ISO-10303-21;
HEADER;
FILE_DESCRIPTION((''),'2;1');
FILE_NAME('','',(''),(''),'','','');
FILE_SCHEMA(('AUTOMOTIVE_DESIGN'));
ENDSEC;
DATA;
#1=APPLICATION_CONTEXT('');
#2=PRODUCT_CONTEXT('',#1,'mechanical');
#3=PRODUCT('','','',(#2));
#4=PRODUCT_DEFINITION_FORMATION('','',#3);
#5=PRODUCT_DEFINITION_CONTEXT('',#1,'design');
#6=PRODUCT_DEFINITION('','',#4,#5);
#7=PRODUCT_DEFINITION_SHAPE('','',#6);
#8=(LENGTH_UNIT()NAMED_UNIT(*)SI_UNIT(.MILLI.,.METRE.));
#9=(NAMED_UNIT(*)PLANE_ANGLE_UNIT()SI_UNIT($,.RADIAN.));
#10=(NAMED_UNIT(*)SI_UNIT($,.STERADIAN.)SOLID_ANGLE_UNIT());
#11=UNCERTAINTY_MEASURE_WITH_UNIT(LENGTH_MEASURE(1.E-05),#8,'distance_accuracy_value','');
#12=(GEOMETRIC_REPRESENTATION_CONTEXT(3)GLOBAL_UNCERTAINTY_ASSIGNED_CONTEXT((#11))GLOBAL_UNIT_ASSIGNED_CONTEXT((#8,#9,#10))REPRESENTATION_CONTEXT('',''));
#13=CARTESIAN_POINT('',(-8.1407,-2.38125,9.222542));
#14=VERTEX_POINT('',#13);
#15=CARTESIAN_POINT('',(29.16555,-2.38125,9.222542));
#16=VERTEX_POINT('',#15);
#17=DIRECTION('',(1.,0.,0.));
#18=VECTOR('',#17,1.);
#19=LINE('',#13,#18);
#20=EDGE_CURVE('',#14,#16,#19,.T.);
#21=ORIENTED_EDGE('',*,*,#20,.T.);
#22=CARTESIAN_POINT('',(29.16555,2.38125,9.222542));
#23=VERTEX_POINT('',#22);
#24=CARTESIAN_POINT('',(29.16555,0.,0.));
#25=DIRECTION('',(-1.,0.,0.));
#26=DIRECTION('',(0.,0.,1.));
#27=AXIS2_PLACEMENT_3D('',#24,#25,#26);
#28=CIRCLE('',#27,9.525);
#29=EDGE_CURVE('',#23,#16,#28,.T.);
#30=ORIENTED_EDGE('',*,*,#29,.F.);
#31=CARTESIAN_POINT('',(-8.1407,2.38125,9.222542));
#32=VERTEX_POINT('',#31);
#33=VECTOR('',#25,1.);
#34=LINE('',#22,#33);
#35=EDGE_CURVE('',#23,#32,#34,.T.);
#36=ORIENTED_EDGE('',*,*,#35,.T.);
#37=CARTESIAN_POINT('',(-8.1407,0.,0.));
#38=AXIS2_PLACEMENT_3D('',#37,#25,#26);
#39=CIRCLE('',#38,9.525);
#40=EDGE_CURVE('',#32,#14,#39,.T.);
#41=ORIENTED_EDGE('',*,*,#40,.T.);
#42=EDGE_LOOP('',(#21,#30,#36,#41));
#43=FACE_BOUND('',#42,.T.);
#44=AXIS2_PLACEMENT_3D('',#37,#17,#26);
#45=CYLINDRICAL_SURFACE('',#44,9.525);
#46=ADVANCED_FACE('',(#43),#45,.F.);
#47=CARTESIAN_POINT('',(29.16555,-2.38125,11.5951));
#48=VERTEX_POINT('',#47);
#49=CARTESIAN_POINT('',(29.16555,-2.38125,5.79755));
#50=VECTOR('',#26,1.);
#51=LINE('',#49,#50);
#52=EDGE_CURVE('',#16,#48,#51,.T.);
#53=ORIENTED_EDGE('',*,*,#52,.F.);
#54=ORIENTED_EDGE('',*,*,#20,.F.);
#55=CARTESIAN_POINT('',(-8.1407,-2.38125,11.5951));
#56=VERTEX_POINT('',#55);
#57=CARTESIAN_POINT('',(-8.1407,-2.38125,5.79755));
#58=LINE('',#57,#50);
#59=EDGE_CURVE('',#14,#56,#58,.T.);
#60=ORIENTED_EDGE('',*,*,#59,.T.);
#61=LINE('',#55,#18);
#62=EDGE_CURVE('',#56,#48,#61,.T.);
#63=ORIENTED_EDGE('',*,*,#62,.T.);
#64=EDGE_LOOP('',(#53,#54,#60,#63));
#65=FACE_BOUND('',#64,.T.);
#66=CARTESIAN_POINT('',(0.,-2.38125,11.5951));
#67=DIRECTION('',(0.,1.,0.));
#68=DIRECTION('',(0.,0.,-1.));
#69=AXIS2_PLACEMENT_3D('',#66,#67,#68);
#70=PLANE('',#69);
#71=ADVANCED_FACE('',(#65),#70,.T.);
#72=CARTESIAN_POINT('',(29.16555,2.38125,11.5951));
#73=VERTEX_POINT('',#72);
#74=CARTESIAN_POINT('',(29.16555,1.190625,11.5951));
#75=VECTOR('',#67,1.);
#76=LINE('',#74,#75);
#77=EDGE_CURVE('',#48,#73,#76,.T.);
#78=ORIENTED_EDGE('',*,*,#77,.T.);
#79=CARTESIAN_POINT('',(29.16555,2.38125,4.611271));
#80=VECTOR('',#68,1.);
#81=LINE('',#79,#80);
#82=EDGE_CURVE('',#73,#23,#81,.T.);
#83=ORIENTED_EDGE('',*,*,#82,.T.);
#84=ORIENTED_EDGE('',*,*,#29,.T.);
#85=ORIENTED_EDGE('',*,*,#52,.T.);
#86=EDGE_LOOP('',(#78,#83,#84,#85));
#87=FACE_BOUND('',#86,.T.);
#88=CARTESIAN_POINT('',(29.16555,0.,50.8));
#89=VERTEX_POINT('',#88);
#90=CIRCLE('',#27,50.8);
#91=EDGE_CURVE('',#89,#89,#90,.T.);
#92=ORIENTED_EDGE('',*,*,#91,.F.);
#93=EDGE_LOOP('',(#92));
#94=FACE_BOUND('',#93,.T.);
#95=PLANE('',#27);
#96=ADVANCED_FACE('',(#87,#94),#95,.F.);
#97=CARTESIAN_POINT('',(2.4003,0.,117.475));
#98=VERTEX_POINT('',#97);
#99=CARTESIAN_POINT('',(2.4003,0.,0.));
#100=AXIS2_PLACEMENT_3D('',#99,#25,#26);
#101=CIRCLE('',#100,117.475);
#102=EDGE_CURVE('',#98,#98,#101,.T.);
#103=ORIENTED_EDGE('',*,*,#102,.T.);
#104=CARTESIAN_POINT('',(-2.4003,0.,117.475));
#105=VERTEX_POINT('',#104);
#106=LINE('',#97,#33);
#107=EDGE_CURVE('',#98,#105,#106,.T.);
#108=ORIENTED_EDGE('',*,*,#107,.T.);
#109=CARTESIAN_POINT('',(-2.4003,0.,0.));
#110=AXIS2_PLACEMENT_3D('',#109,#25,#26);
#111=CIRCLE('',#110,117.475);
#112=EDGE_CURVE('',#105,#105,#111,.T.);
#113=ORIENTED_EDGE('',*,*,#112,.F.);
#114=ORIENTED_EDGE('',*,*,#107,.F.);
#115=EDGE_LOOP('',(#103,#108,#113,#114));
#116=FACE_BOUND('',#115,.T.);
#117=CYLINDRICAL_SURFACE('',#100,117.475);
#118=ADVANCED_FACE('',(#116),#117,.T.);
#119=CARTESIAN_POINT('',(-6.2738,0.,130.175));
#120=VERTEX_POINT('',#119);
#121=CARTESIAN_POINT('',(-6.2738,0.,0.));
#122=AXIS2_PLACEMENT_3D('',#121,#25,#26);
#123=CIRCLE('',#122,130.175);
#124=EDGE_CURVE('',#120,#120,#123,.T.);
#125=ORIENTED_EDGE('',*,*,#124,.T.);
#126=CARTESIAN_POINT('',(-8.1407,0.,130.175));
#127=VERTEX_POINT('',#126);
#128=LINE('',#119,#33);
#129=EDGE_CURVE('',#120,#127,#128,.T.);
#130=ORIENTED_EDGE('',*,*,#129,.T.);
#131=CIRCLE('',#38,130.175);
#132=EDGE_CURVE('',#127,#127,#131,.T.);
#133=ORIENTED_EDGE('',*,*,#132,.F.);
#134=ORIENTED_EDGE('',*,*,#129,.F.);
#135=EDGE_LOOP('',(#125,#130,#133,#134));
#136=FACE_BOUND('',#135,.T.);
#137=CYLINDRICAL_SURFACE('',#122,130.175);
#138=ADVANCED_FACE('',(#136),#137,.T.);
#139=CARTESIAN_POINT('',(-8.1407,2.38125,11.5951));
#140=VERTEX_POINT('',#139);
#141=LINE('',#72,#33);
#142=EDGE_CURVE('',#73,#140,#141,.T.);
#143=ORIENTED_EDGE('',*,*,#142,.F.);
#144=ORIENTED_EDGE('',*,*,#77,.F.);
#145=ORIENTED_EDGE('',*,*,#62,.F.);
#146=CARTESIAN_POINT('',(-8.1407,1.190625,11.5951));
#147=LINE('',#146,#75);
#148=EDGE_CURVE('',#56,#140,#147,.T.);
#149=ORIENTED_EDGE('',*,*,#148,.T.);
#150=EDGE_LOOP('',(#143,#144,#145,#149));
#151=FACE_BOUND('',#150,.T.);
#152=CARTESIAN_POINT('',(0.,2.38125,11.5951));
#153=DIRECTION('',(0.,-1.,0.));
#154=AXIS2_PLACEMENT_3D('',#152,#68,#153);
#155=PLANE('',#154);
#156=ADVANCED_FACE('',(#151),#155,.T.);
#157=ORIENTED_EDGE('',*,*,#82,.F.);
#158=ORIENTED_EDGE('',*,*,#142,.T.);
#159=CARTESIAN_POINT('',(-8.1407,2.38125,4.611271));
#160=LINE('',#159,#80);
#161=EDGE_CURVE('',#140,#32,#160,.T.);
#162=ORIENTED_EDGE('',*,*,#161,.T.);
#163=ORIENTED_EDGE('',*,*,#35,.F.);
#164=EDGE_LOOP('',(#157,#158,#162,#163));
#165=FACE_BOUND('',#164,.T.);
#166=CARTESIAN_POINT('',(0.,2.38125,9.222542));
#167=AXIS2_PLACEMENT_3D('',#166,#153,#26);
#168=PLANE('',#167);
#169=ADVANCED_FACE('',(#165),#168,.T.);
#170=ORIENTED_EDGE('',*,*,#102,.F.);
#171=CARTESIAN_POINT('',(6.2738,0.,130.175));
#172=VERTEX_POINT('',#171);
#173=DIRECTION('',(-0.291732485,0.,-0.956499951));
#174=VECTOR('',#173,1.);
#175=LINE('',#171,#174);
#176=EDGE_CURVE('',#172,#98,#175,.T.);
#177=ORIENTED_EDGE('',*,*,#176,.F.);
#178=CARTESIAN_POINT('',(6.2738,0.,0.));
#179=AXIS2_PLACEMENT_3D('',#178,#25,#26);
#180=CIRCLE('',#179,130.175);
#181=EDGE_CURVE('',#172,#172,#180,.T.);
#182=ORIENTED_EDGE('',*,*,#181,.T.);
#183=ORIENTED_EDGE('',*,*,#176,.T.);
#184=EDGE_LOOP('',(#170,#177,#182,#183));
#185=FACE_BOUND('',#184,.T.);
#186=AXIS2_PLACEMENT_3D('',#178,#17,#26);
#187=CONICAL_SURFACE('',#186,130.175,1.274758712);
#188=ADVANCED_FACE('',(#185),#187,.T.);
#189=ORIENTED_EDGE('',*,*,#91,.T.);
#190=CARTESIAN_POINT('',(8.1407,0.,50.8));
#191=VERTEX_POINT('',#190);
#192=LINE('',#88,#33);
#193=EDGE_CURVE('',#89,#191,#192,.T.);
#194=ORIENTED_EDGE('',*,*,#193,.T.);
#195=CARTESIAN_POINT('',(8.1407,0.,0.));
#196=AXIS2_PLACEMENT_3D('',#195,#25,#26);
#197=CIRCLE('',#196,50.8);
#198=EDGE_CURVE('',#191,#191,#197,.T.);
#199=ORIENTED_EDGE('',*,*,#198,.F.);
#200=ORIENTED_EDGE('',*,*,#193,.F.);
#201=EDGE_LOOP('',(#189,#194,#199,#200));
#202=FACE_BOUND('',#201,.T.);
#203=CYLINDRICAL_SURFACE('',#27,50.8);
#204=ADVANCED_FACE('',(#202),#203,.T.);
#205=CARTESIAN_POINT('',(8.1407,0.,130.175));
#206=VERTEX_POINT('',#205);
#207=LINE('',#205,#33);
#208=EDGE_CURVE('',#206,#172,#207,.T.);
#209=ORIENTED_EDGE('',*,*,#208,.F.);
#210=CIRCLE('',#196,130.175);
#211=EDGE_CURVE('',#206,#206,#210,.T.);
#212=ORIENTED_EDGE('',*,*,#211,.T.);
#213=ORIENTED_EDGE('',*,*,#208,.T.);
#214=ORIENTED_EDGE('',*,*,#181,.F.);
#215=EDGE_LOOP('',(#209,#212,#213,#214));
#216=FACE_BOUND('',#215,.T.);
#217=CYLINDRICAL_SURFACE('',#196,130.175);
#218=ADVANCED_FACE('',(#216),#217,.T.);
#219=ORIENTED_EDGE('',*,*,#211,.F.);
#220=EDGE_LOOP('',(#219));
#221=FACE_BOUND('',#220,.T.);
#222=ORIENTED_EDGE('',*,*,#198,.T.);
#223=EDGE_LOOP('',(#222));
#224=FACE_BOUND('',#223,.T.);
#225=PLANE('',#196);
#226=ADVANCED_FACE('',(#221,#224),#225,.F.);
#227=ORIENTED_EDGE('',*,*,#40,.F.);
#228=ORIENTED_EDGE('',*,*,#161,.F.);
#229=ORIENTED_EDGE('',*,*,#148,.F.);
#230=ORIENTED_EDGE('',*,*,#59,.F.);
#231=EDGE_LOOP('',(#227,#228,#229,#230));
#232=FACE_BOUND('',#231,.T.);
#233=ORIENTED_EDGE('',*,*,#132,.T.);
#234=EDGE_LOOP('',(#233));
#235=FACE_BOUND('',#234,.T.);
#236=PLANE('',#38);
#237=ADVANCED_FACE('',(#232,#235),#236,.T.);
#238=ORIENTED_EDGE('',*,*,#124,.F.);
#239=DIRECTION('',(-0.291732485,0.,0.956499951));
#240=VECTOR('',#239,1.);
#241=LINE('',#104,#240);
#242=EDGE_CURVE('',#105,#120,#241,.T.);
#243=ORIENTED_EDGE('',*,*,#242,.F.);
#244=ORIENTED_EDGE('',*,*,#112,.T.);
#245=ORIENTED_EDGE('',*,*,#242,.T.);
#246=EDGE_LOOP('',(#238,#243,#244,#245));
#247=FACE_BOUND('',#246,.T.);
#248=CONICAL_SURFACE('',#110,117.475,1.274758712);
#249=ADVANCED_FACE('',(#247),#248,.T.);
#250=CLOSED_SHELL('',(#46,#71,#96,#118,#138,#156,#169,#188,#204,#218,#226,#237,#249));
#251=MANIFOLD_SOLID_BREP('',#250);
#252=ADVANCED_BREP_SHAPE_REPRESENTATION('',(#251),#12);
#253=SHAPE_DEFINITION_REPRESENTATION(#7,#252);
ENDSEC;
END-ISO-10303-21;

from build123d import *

# Parameters (mm, degrees)
F3_DEPTH      = 8.1417
F3_DEPTH_BACK = 29.16655


with BuildPart() as f1:
    # F0 (on Front) → F1 (revolve)
    with BuildSketch(Plane.XZ):
        Polygon((-8.1407, 9.525), (8.1407, 9.525), (29.16555, 9.525), (29.16555, 50.8), (8.1407, 50.8), (8.1407, 130.175), (6.2738, 130.175), (2.4003, 117.475), (-2.4003, 117.475), (-6.2738, 130.175), (-8.1407, 130.175), align=None)
    revolve(axis=Axis((-25.9663593024, 0, 0), (-1, 0, 0)))

    # F2 (on Right) → F3 (cut, two sides)
    with BuildSketch(Plane.YZ) as f3_sk:
        with BuildLine():
            Line((2.38125, 11.5951), (-2.38125, 11.5951))
            Line((-2.38125, 11.5951), (-2.38125, 9.2225415932))
            ThreePointArc((-2.38125, 9.2225415932), (0, -9.525), (2.38125, 9.2225415932))
            Line((2.38125, 9.2225415932), (2.38125, 11.5951))
        make_face()
    extrude(amount=-F3_DEPTH, mode=Mode.SUBTRACT)
    extrude(f3_sk.sketch, amount=F3_DEPTH_BACK, mode=Mode.SUBTRACT)


solid = f1.part
